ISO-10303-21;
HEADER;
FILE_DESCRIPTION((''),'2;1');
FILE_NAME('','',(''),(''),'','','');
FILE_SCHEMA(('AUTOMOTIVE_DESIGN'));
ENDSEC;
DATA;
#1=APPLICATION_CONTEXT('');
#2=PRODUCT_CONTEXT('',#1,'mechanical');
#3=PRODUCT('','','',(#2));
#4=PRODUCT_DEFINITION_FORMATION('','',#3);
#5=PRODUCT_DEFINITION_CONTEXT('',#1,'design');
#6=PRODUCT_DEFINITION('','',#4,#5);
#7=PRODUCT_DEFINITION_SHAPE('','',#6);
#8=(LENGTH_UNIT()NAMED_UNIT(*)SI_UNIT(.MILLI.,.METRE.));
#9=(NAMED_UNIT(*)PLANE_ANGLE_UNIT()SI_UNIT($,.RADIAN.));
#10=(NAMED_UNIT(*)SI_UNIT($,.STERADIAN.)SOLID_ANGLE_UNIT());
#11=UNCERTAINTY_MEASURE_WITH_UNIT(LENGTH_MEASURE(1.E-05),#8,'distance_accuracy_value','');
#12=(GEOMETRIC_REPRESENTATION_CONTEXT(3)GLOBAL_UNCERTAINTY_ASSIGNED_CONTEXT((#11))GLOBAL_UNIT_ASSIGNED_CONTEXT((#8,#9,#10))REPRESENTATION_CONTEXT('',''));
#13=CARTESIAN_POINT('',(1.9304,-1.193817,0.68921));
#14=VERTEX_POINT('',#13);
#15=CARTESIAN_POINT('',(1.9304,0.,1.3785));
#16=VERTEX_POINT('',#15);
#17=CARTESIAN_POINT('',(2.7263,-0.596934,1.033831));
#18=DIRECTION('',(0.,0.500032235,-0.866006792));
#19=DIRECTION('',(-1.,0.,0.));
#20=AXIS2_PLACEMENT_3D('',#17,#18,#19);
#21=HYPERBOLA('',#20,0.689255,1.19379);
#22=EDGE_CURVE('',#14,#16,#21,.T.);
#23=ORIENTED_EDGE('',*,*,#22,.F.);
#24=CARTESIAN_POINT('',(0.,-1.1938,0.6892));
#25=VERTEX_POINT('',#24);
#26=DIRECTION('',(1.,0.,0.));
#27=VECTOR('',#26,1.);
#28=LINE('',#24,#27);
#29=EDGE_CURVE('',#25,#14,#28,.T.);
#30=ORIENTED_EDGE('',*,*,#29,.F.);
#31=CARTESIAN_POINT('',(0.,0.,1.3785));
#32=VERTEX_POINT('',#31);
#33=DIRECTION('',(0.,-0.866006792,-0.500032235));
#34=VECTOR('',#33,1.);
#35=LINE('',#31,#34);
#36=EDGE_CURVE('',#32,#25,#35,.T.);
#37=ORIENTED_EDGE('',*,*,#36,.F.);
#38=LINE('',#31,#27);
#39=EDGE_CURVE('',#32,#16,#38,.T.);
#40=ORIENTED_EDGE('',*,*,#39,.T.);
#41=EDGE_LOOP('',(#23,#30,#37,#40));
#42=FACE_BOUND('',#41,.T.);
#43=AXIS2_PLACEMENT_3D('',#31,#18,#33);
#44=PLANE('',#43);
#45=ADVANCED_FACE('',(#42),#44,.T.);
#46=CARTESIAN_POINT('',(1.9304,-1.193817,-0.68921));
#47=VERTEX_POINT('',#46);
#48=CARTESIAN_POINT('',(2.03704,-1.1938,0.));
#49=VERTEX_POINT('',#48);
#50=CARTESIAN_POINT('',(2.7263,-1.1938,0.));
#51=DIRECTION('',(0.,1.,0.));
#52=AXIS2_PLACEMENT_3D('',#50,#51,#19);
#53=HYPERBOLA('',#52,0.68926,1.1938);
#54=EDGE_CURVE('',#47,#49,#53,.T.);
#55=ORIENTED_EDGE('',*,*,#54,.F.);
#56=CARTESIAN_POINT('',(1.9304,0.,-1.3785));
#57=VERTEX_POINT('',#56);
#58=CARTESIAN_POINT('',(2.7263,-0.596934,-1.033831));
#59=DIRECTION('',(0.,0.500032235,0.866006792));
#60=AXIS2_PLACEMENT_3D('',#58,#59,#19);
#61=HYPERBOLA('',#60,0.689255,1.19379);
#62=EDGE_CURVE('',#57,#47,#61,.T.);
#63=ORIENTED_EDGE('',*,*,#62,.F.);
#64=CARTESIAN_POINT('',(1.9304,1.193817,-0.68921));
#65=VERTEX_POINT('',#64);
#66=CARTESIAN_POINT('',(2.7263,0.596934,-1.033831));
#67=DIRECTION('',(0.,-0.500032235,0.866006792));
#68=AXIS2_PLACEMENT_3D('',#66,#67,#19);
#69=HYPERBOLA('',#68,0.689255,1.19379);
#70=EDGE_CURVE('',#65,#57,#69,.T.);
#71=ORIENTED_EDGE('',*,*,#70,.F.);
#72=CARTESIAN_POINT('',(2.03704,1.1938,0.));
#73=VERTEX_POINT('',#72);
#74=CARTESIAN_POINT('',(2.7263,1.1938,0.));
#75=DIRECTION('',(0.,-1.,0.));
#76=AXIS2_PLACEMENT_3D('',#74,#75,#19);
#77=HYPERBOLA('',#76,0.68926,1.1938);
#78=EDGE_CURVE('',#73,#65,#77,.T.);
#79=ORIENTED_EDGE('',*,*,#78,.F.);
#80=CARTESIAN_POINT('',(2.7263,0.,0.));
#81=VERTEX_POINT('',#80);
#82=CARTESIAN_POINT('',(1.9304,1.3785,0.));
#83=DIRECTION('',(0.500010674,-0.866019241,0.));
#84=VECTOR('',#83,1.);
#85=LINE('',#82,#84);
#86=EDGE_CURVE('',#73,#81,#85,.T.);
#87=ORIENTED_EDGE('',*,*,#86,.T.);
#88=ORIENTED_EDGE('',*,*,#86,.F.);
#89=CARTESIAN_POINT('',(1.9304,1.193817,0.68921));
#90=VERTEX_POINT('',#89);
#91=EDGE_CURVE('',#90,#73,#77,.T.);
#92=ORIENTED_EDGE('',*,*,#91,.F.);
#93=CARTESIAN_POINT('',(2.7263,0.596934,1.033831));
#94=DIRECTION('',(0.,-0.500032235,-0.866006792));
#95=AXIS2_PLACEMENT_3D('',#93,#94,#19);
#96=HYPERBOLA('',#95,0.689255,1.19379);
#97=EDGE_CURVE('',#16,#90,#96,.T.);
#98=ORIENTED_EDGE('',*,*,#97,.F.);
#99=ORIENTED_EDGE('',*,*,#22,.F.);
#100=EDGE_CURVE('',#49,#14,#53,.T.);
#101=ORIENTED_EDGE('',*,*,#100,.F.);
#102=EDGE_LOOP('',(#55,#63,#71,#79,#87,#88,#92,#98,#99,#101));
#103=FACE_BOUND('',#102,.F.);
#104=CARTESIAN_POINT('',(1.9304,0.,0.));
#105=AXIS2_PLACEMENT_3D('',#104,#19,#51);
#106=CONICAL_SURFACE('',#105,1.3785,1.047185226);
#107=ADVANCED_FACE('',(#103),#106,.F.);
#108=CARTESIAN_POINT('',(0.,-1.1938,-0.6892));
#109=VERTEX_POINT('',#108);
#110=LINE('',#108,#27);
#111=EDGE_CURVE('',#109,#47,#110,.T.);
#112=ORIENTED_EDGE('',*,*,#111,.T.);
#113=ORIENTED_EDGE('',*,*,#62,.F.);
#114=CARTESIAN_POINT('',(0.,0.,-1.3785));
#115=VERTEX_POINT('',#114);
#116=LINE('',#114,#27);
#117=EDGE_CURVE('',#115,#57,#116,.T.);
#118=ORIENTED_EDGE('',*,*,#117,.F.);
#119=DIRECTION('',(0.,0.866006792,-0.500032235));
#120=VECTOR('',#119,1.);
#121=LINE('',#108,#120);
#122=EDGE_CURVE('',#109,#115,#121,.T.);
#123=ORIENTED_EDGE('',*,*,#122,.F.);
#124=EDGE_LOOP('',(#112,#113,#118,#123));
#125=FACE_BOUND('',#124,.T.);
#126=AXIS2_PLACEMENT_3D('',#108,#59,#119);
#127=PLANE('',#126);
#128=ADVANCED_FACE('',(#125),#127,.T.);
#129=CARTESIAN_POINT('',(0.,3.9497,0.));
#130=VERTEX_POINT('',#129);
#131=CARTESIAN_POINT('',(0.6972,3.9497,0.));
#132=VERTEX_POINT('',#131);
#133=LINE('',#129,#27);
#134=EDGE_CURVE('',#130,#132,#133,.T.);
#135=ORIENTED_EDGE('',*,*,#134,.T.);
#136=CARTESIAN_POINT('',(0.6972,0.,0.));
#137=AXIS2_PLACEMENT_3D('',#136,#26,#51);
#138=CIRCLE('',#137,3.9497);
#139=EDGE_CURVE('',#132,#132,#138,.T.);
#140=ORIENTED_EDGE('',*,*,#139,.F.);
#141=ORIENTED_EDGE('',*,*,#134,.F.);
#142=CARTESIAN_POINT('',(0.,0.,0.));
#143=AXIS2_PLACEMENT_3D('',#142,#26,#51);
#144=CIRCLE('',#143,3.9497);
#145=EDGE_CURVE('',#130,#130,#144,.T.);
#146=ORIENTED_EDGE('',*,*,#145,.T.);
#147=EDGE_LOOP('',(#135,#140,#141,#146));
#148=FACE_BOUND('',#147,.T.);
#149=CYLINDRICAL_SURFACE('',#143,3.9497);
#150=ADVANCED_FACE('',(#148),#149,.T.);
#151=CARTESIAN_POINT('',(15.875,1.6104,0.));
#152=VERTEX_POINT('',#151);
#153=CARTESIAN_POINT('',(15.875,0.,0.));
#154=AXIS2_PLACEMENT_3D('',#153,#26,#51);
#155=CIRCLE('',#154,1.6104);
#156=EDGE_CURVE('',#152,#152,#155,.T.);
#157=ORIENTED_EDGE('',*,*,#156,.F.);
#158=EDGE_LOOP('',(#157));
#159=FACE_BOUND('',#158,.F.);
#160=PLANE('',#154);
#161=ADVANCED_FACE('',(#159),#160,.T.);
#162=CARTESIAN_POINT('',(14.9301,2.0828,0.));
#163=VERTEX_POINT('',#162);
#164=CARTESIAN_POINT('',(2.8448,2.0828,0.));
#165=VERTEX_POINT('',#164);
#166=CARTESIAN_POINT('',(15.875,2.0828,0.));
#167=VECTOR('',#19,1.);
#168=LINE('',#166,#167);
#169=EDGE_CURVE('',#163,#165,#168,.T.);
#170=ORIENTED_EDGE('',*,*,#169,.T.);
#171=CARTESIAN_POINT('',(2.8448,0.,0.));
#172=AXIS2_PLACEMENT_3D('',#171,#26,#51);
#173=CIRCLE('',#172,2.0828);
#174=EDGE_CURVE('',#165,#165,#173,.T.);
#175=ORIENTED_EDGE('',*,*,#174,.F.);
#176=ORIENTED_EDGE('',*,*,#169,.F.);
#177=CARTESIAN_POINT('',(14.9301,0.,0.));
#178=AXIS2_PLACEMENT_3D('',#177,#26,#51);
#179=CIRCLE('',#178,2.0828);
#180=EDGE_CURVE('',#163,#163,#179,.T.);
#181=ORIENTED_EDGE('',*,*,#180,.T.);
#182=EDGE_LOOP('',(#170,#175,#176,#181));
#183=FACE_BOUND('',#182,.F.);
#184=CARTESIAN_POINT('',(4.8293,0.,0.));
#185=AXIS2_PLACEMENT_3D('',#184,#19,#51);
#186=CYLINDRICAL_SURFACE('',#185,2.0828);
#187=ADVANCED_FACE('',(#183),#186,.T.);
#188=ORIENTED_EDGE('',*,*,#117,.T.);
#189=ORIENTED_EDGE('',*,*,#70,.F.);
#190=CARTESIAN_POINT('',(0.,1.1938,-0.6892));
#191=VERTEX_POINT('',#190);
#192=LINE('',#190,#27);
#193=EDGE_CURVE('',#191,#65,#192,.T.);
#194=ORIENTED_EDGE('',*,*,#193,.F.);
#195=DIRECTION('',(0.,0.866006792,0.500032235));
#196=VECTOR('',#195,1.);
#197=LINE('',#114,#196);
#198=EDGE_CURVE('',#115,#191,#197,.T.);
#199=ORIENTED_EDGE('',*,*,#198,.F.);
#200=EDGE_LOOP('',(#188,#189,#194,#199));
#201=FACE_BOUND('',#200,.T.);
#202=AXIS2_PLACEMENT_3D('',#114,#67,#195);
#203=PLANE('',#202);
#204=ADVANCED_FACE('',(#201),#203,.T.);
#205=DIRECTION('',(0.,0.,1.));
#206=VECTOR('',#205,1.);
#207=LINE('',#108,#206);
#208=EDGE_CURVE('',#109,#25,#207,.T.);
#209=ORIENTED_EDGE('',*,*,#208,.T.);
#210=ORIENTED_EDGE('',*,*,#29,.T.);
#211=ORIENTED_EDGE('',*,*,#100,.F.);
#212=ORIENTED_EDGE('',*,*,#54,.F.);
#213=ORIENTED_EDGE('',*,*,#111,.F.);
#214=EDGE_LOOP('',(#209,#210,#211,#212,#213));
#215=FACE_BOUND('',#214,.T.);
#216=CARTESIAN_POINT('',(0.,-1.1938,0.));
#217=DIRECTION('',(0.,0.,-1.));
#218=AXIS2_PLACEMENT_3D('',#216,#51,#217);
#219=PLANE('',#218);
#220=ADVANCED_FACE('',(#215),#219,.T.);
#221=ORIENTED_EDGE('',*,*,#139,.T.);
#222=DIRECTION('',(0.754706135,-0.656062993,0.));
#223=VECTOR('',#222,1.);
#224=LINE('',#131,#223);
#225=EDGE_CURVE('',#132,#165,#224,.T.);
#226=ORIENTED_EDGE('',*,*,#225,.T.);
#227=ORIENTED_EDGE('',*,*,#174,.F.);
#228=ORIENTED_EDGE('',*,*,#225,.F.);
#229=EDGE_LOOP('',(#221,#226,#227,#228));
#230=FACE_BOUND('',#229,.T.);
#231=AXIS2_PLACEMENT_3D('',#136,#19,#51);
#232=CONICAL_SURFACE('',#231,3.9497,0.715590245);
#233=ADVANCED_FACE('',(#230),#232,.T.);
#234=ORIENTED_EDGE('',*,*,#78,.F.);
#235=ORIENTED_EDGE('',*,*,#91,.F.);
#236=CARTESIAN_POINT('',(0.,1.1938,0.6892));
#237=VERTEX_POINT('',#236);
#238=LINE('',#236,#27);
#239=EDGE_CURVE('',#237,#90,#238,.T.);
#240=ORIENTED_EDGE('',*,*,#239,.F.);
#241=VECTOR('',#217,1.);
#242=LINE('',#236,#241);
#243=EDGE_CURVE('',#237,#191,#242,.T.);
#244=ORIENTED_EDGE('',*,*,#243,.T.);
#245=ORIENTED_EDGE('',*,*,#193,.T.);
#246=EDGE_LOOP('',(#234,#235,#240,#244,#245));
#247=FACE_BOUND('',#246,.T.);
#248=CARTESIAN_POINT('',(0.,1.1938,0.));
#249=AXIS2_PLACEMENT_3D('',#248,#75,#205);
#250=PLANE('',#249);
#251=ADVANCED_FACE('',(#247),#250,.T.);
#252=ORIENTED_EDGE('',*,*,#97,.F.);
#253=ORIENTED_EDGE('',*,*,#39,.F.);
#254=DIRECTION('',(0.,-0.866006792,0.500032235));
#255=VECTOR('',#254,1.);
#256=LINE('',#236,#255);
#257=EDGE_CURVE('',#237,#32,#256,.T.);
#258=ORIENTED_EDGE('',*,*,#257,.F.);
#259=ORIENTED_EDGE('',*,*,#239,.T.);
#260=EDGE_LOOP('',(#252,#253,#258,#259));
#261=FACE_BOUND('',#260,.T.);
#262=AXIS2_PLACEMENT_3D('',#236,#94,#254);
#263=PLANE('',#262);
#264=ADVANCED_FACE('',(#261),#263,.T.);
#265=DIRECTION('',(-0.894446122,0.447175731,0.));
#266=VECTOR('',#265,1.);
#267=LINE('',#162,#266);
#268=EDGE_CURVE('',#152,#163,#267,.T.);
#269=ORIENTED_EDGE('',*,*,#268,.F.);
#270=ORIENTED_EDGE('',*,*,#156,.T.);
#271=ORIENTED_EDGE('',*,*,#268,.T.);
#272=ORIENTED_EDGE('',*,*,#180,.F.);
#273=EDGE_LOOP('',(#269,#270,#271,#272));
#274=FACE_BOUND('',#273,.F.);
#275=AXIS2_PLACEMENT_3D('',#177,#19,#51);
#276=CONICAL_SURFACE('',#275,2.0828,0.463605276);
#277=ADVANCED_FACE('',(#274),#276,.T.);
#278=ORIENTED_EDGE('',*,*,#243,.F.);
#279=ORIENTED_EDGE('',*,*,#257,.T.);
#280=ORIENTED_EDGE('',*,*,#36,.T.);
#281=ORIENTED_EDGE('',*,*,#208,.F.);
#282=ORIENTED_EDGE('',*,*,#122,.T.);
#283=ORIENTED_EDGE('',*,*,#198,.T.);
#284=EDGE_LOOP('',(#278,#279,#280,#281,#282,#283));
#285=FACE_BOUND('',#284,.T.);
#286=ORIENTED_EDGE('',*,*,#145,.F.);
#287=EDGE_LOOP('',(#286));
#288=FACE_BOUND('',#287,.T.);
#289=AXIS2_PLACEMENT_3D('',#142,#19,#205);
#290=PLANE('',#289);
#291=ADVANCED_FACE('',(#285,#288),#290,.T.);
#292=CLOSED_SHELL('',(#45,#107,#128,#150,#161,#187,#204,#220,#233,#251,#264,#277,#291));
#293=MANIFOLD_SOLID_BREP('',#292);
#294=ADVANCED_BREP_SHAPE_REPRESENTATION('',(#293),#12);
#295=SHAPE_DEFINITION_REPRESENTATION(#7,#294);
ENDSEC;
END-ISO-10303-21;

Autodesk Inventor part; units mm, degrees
ref_plane "YZ Plane" through (0, 0, 0) normal (1, 0, 0) x (0, 1, 0)
ref_plane "XZ Plane" through (0, 0, 0) normal (0, 1, 0) x (-1, 0, 0)
sketch "Sketch1" plane through (0, 0, 0) normal (0, 0, 1) x (1, 0, 0)
  line L0 (15.875, 0) -> (15.875, 2.0828)
  line L1 (15.875, 2.0828) -> (4.8293, 2.0828)
  line L2 (4.8293, 2.0828) -> (2.8448, 2.0828)
  line L3 (0, 3.9497) -> (0, 1.3785)
  line L4 (0, 1.3785) -> (1.9304, 1.3785)
  line L5 (1.9304, 1.3785) -> (2.7263, 0)
  line L6 (2.7263, 0) -> (15.875, 0)
  line L7 (0, 3.9497) -> (0.6972, 3.9497)
  line L8 (0.6972, 3.9497) -> (2.8448, 2.0828)
  line L9 (2.8448, 2.0828) -> (2.8448, 2.0828)
  line L10 (4.8293, 2.0828) -> (2.8448, 2.0828) construction
  line L11 (2.8448, 2.0828) -> (2.8448, 2.0828)
  line L12 (-3.175, 0) -> (19.05, 0) projected
  line L13 (0, -0.7899) -> (0, 4.7396) projected
  dimension "d0" = 15.875
  dimension "d1" = 11.0457
  dimension "d2" = 1.9304
  dimension "d3" = 4.1656
  dimension "d6" = 2.8448
  dimension "d7" = 41
  dimension "d8" = 2.757
  dimension "d9" = 60
  dimension "d10" = 7.8994
  dimension "d11" = 4.1656
  dimension "d12" = 1.9845
revolve "Body" add sketch "Sketch1" angle 360 about axis through (2.7263, 0, 0) along (1, 0, 0) contours L6 L5 L4 L3 L7 L8 L2 L1 L0
sketch "Sketch2" plane through (0, 0, 0) normal (-1, 0, 0) x (0, 0, 1)
  circle A0 centre (0, 0) radius 1.3785 projected
  line L0 (0, -5.5296) -> (0, 5.5296) projected
  line L1 (-5.5296, 0) -> (5.5296, 0) projected
  line L2 (1.3785, 0) -> (0.6892, -1.1938)
  line L3 (0.6892, -1.1938) -> (-0.6892, -1.1938)
  line L4 (-0.6892, -1.1938) -> (-1.3785, 0)
  line L5 (-1.3785, 0) -> (-0.6892, 1.1938)
  line L6 (-0.6892, 1.1938) -> (0.6892, 1.1938)
  line L7 (0.6892, 1.1938) -> (1.3785, 0)
  point P0 (0, 1.3785)
extrude "Slot" add sketch "Sketch2" against normal up to next contours L7 A0 | A0 L2 | L6 L0 A0 | A0 L0 L3 | L0 L6 A0 | A0 L3 L0 | L4 A0 | A0 L5
thread "Thread" size "8-32 UNC" class "2A" standard "ANSI Unified Screw Threads" length 11.0457
chamfer "Chamfer1" distance 0.4724 distance2 0.9449 1 edges at (15.875, -2.0828, 0) measured on face at (15.875, 0.3944, 0.7269)
ref_plane "Work Plane1" through (104.775, 0, 0) normal (0, 0, -1) x (1, 0, 0)
equation "\"d15\" = GEL"
equation "\"d17\" = -0.5 * SPD + 0.5 * GD"
equation "\"d18\" = GUL"
equation "\"d0\" = NLG"
equation "\"d1\" = GEL"
equation "\"d2\" = INTI"
equation "\"d3\" = GD"
equation "\"d6\" = KOH"
equation "\"d7\" = 0.5 * SEWI"
equation "\"d8\" = 1.1547 * SW"
equation "\"d10\" = KOD"
equation "\"d11\" = BDM"
equation "\"d12\" = GAL"
equation "\"NLG\" = 15.875"
equation "\"INTI\" = 1.9304"
equation "\"GEL\" = 11.0457"
equation "\"GAL\" = 1.9845"
equation "\"KOH\" = 2.8448"
equation "\"KOD\" = 7.8994"
equation "\"GUL\" = 0.94488"
equation "\"SPD\" = 3.22072"
equation "\"BDM\" = NND"
equation "\"GD\" = NND"
equation "\"SEWI\" = 82deg"
equation "\"SW\" = 2.3876"
equation "\"TOA\" = 30deg"
equation "\"GD1\" = SPD"
equation "\"THREADDIA\" = 4.1656"
equation "\"HHPTC\" = 0.79375"
equation "\"NND\" = 4.1656"
equation "\"E0\" = 1.155 * SW"
properties part number "ANSI B18.3 - 8-32 UNC x 0.625" material "Steel, Mild"
